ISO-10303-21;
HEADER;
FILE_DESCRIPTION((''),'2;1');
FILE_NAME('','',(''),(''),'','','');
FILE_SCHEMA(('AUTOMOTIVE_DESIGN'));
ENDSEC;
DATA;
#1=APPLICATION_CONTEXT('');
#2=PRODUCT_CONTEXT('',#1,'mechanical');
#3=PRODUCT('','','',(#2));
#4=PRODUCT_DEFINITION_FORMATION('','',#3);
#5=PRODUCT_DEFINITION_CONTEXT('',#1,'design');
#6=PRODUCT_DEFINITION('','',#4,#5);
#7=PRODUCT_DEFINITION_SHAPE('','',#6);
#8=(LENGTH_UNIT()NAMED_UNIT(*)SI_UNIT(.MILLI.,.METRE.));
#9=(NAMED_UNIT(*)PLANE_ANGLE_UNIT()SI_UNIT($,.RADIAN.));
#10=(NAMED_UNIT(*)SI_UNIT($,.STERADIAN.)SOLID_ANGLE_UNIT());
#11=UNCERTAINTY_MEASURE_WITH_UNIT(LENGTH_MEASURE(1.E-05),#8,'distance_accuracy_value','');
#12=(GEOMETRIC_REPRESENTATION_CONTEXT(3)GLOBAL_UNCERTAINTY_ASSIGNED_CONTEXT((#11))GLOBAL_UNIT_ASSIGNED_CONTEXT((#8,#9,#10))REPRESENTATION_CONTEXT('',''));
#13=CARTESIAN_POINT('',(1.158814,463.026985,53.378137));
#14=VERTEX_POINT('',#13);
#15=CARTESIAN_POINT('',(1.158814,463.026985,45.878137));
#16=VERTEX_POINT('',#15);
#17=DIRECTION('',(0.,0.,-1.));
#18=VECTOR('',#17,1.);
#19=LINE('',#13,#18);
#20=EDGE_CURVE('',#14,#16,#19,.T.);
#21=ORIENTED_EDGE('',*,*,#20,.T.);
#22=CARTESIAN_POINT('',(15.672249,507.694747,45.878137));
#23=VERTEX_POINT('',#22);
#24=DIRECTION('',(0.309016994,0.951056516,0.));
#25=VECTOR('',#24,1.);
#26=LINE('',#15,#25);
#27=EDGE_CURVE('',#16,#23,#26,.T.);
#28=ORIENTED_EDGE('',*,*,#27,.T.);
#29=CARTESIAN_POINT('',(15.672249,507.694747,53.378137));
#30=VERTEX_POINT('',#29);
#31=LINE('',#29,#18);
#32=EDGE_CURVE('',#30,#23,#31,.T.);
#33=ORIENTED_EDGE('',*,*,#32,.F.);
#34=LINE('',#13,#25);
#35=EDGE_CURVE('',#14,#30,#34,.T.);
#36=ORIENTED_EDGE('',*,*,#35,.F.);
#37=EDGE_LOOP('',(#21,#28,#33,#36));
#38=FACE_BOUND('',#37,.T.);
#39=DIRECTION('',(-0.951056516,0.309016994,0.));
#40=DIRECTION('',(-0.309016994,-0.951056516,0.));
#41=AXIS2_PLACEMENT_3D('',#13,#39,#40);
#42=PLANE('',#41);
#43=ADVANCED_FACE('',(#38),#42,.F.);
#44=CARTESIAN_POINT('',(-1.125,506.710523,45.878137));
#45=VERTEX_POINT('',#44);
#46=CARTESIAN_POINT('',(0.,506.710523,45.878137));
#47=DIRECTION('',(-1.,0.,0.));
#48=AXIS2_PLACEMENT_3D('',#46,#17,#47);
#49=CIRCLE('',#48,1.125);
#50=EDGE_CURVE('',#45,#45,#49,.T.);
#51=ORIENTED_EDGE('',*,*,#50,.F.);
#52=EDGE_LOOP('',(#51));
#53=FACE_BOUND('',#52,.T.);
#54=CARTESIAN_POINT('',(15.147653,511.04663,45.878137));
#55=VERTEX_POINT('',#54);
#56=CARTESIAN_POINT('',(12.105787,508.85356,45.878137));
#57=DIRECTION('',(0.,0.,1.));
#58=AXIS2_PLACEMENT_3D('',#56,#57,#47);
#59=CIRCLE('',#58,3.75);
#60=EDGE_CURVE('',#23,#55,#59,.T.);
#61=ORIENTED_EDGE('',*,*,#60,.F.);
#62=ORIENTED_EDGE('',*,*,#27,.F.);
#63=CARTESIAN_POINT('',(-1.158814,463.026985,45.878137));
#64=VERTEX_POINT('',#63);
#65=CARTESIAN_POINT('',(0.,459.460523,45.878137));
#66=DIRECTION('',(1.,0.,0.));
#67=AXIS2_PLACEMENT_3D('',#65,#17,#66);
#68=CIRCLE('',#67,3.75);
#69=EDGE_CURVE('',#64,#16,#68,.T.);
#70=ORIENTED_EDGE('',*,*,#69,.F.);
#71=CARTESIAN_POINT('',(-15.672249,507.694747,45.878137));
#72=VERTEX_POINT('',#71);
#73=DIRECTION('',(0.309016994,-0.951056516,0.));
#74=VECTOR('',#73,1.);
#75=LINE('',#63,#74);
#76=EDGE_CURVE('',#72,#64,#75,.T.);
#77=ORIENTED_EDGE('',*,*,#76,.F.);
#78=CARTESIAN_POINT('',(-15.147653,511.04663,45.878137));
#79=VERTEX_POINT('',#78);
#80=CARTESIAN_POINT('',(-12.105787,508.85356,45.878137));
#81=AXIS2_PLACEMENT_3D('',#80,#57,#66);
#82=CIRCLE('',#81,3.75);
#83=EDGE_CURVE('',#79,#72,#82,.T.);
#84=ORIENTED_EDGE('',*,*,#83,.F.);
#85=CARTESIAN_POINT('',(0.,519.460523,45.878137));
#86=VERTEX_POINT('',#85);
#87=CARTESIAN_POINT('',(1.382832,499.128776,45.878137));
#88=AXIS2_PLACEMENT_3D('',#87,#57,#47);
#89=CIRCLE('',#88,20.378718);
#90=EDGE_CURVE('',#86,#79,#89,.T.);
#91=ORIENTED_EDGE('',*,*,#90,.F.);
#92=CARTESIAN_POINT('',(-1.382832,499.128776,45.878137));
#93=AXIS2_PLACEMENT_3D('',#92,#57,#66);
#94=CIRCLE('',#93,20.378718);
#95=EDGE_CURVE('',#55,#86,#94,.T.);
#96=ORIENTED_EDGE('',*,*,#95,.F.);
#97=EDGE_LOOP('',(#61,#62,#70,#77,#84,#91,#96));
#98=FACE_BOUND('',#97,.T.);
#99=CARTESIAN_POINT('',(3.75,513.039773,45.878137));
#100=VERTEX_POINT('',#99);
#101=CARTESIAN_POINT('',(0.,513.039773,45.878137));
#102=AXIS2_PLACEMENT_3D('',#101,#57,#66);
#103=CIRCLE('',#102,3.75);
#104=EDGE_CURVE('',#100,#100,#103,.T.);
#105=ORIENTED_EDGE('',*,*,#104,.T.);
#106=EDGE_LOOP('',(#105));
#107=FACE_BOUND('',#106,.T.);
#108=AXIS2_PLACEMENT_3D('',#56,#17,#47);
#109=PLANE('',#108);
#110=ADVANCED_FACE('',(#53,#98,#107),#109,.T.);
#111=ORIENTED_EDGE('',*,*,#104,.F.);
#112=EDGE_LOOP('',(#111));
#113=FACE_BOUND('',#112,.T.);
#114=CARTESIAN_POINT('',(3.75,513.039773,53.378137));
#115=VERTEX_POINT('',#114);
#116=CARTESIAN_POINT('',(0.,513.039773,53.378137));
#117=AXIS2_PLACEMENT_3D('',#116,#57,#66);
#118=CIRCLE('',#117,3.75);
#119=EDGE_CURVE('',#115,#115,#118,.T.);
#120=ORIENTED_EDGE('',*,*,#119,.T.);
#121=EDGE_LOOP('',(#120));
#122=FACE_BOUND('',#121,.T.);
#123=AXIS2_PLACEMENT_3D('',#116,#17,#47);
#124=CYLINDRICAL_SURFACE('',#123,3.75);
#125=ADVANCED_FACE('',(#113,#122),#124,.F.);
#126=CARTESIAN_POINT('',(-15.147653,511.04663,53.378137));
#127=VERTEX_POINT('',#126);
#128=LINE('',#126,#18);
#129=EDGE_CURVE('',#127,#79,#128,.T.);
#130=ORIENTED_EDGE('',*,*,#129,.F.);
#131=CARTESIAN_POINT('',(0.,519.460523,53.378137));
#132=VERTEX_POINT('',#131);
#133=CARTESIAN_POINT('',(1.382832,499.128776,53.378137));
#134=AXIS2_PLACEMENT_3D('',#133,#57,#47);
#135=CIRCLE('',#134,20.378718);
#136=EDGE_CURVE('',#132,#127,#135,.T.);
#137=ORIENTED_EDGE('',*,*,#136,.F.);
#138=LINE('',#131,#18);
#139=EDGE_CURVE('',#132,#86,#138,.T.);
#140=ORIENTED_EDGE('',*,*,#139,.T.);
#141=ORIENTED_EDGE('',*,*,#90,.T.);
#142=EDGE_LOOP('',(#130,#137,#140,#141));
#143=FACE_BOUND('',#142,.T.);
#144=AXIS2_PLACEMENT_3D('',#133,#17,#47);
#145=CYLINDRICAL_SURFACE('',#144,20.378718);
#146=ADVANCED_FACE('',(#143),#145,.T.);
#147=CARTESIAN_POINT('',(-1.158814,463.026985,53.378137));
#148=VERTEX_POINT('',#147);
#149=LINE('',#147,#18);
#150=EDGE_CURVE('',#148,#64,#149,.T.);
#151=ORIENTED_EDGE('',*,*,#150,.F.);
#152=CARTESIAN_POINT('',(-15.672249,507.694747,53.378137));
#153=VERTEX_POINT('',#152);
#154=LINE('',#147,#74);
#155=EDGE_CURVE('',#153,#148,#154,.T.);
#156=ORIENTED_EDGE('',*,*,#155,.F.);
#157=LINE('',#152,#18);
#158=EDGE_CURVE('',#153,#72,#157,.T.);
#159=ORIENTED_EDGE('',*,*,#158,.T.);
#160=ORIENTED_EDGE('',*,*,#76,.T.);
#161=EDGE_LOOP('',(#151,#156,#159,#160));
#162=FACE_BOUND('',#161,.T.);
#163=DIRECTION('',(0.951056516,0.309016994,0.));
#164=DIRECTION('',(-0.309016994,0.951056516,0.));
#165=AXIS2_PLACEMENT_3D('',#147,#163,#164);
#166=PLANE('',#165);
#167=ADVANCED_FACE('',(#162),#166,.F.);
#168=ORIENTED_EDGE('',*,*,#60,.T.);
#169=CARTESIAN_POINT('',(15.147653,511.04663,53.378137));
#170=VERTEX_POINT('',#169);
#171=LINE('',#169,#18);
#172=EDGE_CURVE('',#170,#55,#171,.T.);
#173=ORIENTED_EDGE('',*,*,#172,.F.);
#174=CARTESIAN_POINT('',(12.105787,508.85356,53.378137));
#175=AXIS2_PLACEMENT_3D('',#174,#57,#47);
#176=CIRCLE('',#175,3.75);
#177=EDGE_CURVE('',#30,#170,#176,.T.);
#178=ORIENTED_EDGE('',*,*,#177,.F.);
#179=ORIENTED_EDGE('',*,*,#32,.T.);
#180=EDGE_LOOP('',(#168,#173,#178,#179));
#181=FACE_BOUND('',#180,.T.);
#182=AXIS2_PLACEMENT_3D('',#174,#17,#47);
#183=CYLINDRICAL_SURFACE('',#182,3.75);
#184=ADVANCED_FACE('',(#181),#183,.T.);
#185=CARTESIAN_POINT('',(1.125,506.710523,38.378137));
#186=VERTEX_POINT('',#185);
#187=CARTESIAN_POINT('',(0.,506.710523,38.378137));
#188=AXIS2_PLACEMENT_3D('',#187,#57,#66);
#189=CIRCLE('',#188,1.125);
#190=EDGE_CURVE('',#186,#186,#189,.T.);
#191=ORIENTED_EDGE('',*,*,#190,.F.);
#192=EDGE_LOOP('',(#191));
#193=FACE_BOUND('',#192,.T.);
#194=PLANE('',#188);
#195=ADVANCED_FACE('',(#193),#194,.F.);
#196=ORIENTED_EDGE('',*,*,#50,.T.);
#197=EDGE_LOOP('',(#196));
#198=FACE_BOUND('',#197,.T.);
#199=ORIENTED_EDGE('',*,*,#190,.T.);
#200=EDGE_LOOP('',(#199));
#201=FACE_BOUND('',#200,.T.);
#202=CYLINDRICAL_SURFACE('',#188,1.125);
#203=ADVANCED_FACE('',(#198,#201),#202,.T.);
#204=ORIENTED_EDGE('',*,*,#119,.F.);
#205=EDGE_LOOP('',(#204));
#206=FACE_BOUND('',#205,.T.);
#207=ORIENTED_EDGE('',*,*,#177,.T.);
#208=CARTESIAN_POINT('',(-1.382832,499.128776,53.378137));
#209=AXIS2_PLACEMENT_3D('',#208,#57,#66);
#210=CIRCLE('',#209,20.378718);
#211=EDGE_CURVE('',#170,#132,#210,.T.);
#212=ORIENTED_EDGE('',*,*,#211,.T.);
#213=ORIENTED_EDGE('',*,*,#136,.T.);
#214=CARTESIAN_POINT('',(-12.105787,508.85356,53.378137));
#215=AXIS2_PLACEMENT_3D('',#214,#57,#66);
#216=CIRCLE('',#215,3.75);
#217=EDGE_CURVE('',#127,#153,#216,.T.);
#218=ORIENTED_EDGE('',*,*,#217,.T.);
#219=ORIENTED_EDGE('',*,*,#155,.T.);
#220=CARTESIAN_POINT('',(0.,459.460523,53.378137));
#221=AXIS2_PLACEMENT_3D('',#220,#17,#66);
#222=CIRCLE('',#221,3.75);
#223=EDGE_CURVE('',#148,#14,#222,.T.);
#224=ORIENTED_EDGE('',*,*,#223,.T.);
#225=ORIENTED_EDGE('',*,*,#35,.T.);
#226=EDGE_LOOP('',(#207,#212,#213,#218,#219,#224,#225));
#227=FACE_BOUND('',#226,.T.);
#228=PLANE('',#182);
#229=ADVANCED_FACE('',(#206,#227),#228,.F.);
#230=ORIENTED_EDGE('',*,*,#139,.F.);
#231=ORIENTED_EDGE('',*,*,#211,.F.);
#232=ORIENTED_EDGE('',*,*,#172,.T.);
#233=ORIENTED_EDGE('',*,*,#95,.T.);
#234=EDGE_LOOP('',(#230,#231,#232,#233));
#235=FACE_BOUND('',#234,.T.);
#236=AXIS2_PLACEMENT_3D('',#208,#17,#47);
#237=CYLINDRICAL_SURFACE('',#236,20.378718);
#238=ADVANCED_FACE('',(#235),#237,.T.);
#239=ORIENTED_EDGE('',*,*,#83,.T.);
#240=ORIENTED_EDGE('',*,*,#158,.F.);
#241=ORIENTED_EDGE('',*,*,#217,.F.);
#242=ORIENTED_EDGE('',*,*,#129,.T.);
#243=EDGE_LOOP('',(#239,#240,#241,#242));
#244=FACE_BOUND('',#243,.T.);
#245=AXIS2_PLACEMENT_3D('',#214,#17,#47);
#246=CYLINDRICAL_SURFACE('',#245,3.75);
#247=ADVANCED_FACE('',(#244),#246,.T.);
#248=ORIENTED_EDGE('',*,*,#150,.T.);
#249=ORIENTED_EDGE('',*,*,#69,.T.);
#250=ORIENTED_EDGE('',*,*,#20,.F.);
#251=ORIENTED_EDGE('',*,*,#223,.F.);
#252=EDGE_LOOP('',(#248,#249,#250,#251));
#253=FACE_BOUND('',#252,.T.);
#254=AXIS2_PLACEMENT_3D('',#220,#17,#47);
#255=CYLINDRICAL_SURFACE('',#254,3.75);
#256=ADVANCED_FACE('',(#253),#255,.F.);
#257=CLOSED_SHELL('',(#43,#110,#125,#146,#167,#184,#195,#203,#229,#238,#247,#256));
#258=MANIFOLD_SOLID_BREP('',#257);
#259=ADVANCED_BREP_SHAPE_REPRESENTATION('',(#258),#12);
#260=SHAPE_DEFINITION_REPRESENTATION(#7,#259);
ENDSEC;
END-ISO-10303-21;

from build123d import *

# Parameters (mm, degrees)
SKETCH1_R           = 50
BOSS_EXTRUDE1_DEPTH = 100
SKETCH3_R           = 15
BOSS_EXTRUDE2_DEPTH = 100
ECHELLE1_SCALE      = 0.075


with BuildPart() as part:
    # Sketch1 → Boss-Extrude1 (new body)
    with BuildSketch(Plane.XY):
        with BuildLine():
            Line((15.450849719, 47.552825815), (208.963323447, 643.122980447))
            ThreePointArc((208.963323447, 643.122980447), (210.809153806, 666.305115195), (201.968702079, 687.814761274))
            ThreePointArc((201.968702079, 687.814761274), (113.501706094, 766.442555341), (0, 800))
            ThreePointArc((0, 800), (-113.501706094, 766.442555341), (-201.968702079, 687.814761274))
            ThreePointArc((-201.968702079, 687.814761274), (-210.809153806, 666.305115195), (-208.963323447, 643.122980447))
            Line((-208.963323447, 643.122980447), (-15.450849719, 47.552825815))
            ThreePointArc((-15.450849719, 47.552825815), (0, 50), (15.450849719, 47.552825815))
        make_face()
        with Locations((0, 714.39)):
            Circle(SKETCH1_R, mode=Mode.SUBTRACT)
    extrude(amount=BOSS_EXTRUDE1_DEPTH)

    # Sketch3 → Boss-Extrude2 (add)
    with BuildSketch(Plane.XY):
        with Locations((0, 630)):
            Circle(SKETCH3_R)
    extrude(amount=-BOSS_EXTRUDE2_DEPTH)


with BuildPart() as part_1:
    # Echelle1: scaled about (0, 496.714078895, 49.597985562)
    add(part.part.scale(ECHELLE1_SCALE).moved(Location((0, 459.460522978, 45.878136645))))


solid = part_1.part
